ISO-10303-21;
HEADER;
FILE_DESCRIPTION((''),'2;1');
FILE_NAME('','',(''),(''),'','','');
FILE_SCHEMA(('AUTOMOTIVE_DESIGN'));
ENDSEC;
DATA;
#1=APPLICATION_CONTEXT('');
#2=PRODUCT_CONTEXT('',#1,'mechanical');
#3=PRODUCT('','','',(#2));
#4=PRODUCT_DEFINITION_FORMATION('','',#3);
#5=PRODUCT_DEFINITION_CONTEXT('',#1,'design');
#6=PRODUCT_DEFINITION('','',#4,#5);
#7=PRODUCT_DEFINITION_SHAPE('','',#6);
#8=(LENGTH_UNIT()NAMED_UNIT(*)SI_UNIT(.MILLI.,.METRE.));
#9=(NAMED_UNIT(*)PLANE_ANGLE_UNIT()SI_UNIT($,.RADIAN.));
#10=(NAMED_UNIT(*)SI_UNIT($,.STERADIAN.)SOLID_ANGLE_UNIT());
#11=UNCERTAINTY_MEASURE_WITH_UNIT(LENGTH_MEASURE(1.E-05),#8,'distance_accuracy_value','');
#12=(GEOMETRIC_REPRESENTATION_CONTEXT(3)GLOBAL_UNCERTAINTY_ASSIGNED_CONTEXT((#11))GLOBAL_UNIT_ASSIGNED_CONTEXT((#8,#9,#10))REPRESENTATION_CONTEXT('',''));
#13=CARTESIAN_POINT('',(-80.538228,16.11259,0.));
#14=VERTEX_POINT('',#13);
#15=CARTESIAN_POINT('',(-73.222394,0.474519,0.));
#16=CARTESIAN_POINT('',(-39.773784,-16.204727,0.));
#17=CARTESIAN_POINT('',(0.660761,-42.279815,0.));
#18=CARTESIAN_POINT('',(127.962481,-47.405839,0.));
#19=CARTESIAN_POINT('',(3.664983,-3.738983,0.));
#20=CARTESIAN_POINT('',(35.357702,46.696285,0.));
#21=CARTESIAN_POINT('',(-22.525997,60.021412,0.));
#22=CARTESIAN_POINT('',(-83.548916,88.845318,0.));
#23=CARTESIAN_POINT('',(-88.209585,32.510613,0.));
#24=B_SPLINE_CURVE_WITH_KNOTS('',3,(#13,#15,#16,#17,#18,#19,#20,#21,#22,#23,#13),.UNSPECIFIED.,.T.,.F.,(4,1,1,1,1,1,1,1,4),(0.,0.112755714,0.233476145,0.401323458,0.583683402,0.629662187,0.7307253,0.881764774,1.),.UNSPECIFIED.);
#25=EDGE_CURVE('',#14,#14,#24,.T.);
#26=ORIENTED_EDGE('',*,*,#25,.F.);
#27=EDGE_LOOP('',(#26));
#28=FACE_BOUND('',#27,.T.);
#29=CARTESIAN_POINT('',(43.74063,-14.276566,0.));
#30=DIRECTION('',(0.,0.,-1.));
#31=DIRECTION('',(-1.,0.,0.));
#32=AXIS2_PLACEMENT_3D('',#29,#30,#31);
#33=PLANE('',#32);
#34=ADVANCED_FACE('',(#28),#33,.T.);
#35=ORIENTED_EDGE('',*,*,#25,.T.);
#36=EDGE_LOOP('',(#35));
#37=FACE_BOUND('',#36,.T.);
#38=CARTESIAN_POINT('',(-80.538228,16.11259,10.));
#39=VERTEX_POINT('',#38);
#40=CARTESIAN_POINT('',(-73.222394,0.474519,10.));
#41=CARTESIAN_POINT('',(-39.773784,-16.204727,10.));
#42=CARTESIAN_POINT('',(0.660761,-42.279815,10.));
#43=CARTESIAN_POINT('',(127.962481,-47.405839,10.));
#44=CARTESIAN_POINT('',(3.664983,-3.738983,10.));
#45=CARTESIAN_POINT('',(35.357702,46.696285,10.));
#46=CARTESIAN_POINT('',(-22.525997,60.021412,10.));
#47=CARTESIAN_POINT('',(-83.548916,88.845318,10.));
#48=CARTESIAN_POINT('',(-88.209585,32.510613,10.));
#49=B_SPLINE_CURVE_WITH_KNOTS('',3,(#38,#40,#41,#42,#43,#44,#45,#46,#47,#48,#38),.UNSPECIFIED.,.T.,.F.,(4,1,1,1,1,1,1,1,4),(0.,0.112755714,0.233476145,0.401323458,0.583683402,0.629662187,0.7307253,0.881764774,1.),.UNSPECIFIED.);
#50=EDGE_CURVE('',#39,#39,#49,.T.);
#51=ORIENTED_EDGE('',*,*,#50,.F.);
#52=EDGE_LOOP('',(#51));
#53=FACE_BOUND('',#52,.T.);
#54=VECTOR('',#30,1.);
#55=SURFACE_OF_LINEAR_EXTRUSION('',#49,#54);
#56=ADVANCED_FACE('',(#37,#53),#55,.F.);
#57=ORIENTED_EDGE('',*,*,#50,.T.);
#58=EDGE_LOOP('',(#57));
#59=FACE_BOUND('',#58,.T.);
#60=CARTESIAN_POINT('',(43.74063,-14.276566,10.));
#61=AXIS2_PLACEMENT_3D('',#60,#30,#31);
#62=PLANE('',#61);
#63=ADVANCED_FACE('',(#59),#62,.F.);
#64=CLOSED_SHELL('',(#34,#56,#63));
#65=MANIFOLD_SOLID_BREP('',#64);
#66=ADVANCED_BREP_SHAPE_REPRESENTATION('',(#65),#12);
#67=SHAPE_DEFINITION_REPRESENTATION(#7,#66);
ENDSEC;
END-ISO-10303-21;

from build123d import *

# Parameters (mm, degrees)
AUFSATZ_LINEAR_AUSTRAGEN1_DEPTH = 10


with BuildPart() as part:
    # Skizze1 → Aufsatz-Linear austragen1 (new body)
    with BuildSketch(Plane.XY):
        with BuildLine():
            add(Edge.make_bspline(
                [(-80.538228006, 16.11258968), (-73.222394057, 0.474519064), (-39.773783933, -16.204726599), (0.660761159, -42.279815022), (127.962480816, -47.405838525), (3.664983183, -3.73898255), (35.35770239, 46.696284543), (-22.525997246, 60.021411727), (-83.548915587, 88.845318161), (-88.209584535, 32.510612923), (-80.538228006, 16.11258968)],
                knots=[0, 0, 0, 0, 0.112755714, 0.233476145, 0.401323458, 0.583683402, 0.629662187, 0.7307253, 0.881764774, 1, 1, 1, 1], degree=3))
        make_face()
    extrude(amount=AUFSATZ_LINEAR_AUSTRAGEN1_DEPTH)


solid = part.part
